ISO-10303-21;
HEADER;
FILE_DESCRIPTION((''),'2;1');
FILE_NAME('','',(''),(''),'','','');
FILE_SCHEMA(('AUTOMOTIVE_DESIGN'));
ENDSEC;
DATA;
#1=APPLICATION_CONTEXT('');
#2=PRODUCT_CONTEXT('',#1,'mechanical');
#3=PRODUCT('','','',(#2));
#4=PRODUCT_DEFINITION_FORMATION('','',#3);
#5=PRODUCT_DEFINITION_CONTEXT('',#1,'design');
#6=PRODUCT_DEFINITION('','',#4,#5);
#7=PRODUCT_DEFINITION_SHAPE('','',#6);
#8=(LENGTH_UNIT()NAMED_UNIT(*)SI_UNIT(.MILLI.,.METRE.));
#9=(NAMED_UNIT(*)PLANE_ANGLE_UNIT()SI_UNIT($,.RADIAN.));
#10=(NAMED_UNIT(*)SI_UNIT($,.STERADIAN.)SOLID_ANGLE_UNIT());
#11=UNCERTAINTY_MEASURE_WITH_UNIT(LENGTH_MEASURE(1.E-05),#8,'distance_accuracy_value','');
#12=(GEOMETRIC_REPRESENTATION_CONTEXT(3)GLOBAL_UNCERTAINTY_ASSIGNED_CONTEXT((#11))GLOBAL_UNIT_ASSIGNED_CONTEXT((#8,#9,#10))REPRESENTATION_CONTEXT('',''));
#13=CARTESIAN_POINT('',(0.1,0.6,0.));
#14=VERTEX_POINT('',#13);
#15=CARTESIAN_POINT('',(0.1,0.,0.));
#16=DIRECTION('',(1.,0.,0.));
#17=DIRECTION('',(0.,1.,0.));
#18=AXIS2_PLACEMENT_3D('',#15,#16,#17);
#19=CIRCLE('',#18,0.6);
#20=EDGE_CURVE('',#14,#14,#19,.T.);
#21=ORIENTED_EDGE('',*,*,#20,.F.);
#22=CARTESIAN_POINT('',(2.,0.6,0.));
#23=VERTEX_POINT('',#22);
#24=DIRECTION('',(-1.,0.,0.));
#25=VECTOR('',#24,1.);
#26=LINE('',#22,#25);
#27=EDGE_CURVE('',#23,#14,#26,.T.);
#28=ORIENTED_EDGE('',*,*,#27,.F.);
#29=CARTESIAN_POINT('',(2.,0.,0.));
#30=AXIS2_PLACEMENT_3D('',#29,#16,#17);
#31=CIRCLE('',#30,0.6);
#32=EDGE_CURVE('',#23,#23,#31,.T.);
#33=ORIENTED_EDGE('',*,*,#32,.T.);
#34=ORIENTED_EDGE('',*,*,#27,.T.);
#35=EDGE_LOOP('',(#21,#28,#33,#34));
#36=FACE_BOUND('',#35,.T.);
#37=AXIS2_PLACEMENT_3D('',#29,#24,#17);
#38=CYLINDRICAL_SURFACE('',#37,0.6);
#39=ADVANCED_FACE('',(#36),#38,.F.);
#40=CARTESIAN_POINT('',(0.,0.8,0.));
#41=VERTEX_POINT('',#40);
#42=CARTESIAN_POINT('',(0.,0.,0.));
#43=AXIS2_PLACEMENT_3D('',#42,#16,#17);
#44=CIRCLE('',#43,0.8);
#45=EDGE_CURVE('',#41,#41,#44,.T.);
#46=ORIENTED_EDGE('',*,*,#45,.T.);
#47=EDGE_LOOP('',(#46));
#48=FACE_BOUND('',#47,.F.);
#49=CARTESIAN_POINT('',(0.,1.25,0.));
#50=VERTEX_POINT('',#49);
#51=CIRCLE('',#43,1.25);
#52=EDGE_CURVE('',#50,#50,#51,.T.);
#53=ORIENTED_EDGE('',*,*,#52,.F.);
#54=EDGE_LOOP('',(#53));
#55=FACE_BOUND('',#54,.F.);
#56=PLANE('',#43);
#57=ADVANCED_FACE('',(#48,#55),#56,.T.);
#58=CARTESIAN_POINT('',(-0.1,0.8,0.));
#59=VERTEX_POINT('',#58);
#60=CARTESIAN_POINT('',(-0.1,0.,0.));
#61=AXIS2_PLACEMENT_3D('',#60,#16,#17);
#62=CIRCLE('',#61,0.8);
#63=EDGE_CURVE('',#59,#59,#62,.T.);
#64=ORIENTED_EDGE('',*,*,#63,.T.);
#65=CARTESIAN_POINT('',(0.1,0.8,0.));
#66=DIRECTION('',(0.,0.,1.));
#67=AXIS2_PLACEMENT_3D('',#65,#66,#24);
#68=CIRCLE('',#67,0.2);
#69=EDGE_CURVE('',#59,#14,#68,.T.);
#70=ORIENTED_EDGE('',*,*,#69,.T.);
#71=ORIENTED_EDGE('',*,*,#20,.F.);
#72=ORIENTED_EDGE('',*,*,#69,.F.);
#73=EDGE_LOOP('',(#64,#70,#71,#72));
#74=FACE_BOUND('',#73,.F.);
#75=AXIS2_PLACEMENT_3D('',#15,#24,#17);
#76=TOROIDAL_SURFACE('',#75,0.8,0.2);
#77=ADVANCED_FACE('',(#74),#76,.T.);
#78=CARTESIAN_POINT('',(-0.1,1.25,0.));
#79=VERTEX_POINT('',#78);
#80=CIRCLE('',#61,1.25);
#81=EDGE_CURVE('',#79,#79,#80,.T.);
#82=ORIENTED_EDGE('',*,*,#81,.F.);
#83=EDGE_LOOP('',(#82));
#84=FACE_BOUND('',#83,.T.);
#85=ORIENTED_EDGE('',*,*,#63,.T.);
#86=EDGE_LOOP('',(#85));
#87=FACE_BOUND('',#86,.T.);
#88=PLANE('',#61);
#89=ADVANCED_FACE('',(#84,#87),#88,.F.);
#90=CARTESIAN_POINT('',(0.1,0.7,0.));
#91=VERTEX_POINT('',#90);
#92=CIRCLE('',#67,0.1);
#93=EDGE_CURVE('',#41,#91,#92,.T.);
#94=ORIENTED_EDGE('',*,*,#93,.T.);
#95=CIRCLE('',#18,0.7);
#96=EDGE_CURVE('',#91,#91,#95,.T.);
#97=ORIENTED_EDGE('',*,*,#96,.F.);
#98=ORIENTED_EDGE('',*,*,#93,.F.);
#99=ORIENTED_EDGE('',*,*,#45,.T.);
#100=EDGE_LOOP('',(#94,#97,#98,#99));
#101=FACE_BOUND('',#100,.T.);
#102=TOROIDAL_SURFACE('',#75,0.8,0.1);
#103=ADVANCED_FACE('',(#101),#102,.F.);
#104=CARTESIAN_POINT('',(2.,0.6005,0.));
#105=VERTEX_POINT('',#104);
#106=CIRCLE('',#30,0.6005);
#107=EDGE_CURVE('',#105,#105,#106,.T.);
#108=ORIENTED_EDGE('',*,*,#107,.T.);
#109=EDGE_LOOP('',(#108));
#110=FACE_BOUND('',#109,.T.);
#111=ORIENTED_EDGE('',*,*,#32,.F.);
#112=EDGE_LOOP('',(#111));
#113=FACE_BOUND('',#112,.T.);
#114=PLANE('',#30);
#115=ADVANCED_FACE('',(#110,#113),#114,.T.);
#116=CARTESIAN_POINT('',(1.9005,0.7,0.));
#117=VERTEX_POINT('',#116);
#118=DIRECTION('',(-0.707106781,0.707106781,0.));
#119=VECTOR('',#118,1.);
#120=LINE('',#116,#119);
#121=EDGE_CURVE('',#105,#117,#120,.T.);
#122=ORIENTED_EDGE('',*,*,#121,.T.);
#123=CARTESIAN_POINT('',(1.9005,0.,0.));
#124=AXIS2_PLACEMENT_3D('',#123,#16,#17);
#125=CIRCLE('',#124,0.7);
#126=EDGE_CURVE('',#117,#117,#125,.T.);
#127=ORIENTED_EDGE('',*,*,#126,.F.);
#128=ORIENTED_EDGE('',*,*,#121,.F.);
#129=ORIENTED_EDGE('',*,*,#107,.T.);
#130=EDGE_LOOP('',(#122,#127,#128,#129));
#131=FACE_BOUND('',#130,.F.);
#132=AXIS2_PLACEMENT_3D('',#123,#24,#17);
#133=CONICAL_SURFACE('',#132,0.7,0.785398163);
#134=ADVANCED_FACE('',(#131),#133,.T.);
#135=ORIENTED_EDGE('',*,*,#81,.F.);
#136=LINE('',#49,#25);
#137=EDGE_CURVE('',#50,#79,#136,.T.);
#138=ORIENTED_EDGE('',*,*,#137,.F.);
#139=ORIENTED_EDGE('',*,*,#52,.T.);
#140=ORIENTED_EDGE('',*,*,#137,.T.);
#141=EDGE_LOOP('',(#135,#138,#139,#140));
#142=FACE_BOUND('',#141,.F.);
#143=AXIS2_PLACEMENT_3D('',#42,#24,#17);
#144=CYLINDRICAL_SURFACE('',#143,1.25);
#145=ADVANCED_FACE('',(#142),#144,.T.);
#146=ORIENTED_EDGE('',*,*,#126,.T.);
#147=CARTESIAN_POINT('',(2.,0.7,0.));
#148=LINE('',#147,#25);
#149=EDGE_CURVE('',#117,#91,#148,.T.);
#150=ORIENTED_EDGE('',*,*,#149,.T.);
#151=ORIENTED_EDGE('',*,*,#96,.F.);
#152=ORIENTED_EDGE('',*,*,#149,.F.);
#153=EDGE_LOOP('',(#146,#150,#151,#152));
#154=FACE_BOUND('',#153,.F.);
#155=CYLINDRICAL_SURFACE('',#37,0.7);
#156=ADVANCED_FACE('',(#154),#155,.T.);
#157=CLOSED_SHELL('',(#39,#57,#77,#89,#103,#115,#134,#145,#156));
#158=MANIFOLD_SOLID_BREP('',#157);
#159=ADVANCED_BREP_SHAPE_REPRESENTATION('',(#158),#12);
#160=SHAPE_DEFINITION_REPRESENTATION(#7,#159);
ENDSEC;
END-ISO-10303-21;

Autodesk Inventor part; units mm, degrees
ref_plane "YZ Plane" through (0, 0, 0) normal (1, 0, 0) x (0, 1, 0)
ref_plane "XZ Plane" through (0, 0, 0) normal (0, 1, 0) x (-1, 0, 0)
ref_plane "XY Plane" through (0, 0, 0) normal (0, 0, 1) x (1, 0, 0)
sketch "Sketch1" plane through (0, 0, 0) normal (0, 0, 1) x (1, 0, 0)
  line L0 (2, 0.7) -> (0.1, 0.7)
  line L1 (0, 0.8) -> (0, 1.25)
  line L2 (0, 1.25) -> (-0.1, 1.25)
  line L3 (0, 0) -> (3.6291, 0)
  arc A0 (0, 0.8) -> (0.1, 0.7) centre (0.1, 0.8) ccw
  line L4 (2, 0.6) -> (0.1, 0.6)
  arc A1 (-0.1, 0.8) -> (0.1, 0.6) centre (0.1, 0.8) ccw
  line L5 (-0.1, 0.8) -> (-0.1, 1.25)
  line L6 (2, 0.7) -> (2, 0.6)
  point P0 (0, 1.025)
  dimension "d4" = 2.5
  dimension "d5" = 0.1
  dimension "d6" = 0.1
  dimension "d7" = 2
  dimension "d8" = 1.4
revolve "Revolution1" add sketch "Sketch1" angle 360 about axis through (0, 0, 0) along (1, 0, 0)
chamfer "Chamfer1" distance 0.1 angle 45 1 edges at (2, -0.7, 0) measured on face at (1.3667, 0.6977, -0.0563)
equation "\"d4\" = D"
equation "\"d5\" = r"
equation "\"d6\" = s_"
equation "\"d7\" = l_"
equation "\"d8\" = d_"
equation "\"d10\" = s_"
equation "\"d_\" = 1.4"
equation "\"D\" = 2.5"
equation "\"s_\" = 0.1"
equation "\"r\" = 0.1"
equation "\"l_\" = 2"
properties part number "Rivet A 1.4x2 GOST 12639-80" material "Steel, Mild"
